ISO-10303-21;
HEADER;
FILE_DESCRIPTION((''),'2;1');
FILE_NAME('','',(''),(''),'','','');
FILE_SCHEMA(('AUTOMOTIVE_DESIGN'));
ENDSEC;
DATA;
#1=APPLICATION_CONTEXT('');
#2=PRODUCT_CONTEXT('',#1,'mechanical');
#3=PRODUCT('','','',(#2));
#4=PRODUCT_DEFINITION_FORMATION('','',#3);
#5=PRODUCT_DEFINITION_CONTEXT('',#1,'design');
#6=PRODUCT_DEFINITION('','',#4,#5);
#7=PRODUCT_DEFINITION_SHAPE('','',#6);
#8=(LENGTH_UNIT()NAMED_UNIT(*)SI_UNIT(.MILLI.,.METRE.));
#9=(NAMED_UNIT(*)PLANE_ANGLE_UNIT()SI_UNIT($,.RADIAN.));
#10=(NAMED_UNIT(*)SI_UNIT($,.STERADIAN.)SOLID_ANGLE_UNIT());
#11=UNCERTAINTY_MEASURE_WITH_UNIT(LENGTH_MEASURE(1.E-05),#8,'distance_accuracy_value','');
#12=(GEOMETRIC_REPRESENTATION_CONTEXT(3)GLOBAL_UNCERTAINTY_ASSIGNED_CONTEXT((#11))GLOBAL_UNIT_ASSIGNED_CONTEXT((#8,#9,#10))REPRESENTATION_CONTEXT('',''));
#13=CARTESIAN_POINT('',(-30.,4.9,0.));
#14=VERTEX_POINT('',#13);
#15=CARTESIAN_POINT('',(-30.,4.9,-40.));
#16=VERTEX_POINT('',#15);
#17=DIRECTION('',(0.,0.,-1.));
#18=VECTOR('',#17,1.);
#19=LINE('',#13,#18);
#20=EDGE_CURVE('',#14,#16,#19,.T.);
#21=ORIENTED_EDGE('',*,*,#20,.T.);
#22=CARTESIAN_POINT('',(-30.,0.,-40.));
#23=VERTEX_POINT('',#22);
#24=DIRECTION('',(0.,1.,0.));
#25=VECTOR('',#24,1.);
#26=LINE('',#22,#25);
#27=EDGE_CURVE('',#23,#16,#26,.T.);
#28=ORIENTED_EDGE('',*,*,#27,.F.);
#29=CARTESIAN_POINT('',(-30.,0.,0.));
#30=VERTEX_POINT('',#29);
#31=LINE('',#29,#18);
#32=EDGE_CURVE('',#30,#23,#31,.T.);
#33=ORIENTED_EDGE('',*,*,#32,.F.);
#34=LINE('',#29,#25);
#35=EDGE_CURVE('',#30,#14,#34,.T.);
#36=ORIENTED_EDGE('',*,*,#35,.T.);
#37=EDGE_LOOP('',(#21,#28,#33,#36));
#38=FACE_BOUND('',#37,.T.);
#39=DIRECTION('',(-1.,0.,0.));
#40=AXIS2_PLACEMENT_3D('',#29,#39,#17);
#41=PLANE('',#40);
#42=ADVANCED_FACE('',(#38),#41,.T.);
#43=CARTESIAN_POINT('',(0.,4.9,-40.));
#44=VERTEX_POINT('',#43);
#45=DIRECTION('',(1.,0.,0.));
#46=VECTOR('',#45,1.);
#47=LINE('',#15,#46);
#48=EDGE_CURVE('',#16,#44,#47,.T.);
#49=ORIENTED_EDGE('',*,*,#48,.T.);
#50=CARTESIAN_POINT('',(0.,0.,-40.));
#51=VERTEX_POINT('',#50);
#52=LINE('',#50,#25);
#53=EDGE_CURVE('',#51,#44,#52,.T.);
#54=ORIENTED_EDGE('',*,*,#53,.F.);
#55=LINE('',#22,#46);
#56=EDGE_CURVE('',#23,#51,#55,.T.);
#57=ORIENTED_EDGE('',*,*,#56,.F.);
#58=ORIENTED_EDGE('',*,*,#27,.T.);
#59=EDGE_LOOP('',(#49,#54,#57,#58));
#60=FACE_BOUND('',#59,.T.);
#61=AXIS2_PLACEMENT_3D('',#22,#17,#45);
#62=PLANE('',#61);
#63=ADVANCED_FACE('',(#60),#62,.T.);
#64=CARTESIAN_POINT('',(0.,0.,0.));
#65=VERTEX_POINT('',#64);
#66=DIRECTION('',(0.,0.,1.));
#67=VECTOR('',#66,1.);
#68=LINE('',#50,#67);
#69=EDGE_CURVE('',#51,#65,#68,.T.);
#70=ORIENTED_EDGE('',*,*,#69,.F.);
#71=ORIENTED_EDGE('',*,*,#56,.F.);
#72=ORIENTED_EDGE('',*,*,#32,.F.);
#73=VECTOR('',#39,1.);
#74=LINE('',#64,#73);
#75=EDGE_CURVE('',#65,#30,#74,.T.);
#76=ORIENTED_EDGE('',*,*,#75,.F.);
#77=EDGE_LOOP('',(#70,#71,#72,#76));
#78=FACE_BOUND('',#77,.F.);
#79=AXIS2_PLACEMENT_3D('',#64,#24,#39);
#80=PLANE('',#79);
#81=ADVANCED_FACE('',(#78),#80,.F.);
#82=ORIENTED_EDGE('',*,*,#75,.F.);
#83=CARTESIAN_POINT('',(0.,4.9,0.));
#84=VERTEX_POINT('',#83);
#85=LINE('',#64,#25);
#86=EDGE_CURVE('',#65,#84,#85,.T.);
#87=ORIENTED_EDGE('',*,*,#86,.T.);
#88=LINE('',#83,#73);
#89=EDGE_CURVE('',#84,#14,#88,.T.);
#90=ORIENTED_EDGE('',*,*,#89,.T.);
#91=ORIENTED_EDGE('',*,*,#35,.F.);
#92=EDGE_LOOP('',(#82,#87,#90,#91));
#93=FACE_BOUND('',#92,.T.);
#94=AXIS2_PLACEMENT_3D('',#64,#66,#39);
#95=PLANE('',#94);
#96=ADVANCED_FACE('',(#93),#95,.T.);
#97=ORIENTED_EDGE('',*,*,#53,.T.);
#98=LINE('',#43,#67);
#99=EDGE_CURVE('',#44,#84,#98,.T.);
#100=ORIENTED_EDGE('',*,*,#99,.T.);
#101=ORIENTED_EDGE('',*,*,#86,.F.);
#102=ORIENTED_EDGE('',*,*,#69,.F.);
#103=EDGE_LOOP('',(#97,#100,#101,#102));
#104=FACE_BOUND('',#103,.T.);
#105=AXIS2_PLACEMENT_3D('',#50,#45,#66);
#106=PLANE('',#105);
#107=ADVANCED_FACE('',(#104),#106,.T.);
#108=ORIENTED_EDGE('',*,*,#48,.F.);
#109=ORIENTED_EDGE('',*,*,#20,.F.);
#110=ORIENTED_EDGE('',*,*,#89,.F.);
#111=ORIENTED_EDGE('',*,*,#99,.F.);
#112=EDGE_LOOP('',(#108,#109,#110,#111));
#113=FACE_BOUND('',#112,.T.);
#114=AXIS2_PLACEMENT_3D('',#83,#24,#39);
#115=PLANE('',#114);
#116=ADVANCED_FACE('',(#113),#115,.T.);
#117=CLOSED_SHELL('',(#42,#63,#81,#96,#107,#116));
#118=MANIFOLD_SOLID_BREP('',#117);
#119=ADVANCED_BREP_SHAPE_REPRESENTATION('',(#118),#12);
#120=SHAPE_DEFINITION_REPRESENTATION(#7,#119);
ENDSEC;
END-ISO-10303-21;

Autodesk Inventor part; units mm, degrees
ref_plane "YZ Plane" through (0, 0, 0) normal (1, 0, 0) x (0, 1, 0)
ref_plane "XZ Plane" through (0, 0, 0) normal (0, 1, 0) x (-1, 0, 0)
ref_plane "XY Plane" through (0, 0, 0) normal (0, 0, 1) x (1, 0, 0)
sketch "Sketch1" plane through (0, 0, 0) normal (0, 1, 0) x (-1, 0, 0)
  line L0 (0, 0) -> (30, 0)
  line L1 (30, 0) -> (30, -40)
  line L2 (30, -40) -> (0, -40)
  line L3 (0, -40) -> (0, 0)
  dimension "d0" = 30
  dimension "d1" = 40
extrude "Extrusion1" add sketch "Sketch1" along normal blind 4.9
properties part number "Battery"
